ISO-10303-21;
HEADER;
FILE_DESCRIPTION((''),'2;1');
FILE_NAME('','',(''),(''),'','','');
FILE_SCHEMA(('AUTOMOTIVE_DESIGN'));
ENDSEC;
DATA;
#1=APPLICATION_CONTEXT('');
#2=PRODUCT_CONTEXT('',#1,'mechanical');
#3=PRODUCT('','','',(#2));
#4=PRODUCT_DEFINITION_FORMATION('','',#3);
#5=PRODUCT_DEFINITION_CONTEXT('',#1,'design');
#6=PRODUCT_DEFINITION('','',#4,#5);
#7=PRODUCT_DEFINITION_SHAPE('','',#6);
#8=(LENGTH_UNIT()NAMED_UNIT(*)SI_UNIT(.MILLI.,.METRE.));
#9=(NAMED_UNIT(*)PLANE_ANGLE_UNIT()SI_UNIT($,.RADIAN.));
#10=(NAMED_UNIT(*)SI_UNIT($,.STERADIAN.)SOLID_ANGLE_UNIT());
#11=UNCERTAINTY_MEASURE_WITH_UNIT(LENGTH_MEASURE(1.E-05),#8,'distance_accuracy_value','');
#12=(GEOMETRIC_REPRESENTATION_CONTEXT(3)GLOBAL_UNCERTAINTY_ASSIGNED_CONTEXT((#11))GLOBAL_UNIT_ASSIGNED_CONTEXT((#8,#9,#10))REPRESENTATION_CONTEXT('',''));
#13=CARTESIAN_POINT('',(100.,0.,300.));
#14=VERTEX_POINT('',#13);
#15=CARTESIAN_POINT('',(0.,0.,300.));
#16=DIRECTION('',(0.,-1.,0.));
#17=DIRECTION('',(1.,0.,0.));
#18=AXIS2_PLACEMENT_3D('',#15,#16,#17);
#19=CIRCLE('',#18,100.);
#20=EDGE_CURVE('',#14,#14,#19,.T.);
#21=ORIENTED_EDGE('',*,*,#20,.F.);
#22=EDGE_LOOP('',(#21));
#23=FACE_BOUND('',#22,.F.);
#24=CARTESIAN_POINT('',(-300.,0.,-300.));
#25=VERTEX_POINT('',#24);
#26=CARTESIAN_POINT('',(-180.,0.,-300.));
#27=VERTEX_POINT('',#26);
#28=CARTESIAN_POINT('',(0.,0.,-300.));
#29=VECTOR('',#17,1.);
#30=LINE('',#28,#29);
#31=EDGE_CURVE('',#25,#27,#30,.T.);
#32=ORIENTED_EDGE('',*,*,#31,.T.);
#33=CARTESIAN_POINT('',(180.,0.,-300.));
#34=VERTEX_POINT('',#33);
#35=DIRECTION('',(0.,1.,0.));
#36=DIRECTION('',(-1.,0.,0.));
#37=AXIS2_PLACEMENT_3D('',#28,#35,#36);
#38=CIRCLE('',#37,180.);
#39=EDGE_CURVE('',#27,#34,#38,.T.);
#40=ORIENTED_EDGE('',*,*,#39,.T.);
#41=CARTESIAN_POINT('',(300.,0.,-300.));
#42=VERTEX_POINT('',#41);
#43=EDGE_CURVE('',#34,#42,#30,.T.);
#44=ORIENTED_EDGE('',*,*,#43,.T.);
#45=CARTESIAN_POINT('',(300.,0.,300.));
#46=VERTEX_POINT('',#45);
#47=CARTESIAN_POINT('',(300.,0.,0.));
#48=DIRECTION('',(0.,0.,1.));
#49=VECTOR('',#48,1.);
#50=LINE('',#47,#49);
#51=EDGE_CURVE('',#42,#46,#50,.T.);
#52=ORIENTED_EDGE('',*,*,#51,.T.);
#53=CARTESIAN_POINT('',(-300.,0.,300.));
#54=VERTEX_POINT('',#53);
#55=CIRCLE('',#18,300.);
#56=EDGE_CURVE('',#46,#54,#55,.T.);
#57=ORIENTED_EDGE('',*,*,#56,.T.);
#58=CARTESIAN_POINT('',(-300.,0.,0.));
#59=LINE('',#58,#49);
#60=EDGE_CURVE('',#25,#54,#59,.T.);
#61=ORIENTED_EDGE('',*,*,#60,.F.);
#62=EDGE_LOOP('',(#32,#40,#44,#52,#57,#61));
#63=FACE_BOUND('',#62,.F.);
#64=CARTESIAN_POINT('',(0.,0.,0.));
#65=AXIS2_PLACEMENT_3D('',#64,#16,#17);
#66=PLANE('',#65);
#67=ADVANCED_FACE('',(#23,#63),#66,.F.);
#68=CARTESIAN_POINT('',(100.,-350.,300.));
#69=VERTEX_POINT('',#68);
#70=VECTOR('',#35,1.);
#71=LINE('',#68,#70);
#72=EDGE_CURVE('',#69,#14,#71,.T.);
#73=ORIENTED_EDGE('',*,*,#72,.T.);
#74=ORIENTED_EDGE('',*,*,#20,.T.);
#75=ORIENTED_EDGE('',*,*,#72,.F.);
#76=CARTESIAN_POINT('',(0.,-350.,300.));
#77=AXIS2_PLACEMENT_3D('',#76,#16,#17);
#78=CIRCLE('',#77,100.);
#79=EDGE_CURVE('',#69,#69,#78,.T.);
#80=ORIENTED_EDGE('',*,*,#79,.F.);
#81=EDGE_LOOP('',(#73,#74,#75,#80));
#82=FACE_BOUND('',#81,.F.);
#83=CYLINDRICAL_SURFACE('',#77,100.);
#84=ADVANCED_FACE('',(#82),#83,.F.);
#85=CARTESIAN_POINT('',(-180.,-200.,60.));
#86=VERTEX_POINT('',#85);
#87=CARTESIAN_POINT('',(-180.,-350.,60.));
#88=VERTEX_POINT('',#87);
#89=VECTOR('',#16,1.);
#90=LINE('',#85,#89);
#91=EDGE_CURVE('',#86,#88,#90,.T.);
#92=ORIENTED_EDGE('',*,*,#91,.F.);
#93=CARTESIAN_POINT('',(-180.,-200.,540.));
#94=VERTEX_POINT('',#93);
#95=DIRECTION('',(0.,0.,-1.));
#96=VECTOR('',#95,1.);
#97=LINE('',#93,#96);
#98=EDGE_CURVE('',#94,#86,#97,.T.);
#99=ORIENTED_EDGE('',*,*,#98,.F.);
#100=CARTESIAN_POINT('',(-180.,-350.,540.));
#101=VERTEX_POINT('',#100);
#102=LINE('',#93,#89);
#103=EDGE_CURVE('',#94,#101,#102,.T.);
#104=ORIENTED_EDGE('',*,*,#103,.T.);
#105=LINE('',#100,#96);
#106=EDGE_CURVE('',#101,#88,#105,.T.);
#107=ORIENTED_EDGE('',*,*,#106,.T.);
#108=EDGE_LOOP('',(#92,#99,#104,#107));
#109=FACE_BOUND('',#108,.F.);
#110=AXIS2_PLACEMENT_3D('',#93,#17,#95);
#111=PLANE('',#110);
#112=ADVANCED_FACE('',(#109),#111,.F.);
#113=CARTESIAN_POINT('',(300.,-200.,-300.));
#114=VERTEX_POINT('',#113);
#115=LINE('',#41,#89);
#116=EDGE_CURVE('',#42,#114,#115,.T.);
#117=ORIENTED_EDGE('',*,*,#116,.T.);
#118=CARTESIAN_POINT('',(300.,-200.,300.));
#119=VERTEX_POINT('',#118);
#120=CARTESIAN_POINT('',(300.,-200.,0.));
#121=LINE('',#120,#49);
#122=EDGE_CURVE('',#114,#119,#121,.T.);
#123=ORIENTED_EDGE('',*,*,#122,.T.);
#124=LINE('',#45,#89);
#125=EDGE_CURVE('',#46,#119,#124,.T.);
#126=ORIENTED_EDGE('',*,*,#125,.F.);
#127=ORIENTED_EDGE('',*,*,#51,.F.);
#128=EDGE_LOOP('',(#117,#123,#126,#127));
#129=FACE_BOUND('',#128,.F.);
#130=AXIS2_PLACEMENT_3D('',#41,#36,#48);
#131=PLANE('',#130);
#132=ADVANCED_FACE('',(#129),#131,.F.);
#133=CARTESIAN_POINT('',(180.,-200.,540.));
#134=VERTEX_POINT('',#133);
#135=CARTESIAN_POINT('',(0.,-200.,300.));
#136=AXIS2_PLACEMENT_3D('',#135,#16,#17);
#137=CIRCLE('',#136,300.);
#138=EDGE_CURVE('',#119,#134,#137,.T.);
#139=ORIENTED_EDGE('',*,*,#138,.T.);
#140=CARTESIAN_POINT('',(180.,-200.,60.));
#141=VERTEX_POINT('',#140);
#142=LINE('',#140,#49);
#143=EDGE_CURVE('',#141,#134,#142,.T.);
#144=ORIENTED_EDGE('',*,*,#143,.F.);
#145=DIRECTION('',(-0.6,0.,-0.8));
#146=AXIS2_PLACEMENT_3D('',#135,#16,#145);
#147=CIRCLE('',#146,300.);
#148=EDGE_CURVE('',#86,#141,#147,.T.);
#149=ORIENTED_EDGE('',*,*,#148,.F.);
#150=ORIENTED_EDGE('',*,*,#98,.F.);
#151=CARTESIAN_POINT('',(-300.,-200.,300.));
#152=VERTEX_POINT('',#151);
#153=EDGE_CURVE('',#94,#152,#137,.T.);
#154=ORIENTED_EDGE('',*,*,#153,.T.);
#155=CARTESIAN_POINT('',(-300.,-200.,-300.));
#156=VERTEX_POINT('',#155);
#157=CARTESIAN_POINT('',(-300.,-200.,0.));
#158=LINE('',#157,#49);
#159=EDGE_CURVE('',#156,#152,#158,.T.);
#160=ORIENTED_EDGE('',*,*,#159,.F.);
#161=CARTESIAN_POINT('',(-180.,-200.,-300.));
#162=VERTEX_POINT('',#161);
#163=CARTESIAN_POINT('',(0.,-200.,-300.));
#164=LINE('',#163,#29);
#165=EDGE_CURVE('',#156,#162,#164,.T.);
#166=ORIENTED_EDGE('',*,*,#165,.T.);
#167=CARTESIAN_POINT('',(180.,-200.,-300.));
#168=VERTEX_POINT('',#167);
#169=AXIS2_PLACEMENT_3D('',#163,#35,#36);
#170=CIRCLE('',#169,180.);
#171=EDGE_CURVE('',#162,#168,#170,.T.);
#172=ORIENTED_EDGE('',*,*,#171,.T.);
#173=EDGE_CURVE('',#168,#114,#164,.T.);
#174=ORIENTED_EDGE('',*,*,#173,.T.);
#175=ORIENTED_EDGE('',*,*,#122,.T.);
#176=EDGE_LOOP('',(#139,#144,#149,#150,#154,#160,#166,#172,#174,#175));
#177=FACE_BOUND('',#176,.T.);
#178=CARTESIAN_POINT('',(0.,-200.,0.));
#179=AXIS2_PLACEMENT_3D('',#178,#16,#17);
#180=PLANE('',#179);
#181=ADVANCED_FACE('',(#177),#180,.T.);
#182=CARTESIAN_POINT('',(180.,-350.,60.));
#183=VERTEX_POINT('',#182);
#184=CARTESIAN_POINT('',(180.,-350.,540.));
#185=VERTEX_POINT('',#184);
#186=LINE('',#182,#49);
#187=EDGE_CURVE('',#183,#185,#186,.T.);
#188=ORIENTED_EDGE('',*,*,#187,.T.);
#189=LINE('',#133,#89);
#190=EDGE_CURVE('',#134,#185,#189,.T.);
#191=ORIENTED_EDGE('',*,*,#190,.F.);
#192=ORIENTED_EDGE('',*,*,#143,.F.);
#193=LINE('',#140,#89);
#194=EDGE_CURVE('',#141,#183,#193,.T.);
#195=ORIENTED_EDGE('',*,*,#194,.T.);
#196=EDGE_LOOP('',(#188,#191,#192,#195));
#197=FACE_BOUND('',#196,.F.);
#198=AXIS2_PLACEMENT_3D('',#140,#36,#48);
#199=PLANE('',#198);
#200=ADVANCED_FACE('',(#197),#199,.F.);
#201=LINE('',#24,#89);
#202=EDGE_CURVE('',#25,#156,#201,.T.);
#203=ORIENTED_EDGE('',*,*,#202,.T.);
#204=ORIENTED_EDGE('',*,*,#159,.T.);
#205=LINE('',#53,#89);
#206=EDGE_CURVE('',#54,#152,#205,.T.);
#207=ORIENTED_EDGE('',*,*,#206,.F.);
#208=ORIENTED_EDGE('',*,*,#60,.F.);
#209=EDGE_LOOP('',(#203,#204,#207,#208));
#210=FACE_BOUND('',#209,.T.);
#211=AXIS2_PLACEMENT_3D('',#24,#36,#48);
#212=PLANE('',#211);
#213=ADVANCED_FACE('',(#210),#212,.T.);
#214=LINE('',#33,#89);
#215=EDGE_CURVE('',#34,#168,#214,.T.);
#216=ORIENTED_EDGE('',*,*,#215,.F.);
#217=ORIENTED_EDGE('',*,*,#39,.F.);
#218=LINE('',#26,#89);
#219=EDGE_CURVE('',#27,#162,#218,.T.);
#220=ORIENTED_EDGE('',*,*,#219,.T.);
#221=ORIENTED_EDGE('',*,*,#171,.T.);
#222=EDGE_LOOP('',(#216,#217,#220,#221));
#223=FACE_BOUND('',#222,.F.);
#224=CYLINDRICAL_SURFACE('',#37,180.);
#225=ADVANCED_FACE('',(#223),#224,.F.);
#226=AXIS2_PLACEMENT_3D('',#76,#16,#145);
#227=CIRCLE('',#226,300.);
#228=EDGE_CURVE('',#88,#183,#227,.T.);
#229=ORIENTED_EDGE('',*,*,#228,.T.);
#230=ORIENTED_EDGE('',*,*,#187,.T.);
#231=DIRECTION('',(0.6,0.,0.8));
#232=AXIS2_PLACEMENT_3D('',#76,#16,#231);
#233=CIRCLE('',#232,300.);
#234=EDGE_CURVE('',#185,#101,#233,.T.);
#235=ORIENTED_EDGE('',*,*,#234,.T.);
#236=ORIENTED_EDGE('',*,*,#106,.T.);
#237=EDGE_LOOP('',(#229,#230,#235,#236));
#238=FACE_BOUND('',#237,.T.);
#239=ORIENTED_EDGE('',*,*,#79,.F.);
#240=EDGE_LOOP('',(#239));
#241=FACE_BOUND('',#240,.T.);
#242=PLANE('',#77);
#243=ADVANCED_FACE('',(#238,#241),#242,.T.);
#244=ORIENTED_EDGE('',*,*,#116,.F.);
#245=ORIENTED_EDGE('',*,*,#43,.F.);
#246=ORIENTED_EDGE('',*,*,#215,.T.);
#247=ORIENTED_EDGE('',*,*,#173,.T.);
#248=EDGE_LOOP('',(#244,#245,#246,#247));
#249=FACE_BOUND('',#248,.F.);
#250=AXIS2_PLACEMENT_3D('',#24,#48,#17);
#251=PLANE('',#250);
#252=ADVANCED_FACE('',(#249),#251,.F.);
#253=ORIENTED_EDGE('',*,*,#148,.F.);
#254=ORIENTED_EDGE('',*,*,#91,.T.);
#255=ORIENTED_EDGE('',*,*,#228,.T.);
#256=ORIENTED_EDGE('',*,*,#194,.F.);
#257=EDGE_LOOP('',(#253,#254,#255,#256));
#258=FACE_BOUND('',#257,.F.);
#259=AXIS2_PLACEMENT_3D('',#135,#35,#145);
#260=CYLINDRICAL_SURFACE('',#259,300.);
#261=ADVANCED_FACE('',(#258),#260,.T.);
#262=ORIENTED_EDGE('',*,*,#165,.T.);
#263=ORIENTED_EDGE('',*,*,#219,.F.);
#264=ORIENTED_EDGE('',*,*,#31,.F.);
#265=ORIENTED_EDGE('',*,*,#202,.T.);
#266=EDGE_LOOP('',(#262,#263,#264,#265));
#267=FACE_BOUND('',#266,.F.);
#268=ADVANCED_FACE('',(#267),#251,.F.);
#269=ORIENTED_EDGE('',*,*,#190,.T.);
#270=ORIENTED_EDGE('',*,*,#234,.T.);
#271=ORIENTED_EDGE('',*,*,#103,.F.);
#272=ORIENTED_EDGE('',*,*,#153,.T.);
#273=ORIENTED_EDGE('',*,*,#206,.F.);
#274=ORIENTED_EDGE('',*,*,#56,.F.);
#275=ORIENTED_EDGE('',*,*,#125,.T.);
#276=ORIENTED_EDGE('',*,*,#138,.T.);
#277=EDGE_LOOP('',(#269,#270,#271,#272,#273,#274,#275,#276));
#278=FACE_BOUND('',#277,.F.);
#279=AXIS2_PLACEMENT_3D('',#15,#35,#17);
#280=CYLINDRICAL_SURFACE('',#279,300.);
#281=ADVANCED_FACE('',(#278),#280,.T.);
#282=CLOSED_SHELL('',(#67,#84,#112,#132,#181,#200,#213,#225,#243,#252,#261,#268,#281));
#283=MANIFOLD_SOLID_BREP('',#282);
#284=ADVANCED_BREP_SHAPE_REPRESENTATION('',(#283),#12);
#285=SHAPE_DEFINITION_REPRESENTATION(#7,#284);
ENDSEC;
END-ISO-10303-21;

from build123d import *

# Parameters (mm, degrees)
F0_W     = 600
F0_H     = 600
F1_DEPTH = 200
F3_DEPTH = 200.001
F5_DEPTH = 150
F6_R     = 100
F7_DEPTH = 350.001


with BuildPart() as f1:
    # F0 (on Front) → F1 (new body)
    with BuildSketch(Plane.XZ):
        Rectangle(F0_W, F0_H)
        with BuildLine():
            Line((-300, 300), (300, 300))
            ThreePointArc((300, 300), (0, 600), (-300, 300))
        make_face()
    extrude(amount=F1_DEPTH)

    # F2 (on face) → F3 (cut, through all)
    with BuildSketch(Plane(origin=(0, 0, 0), x_dir=(-1, 0, 0), z_dir=(0, 1, 0))):
        with BuildLine():
            Line((-180, -300), (180, -300))
            ThreePointArc((180, -300), (0, -120), (-180, -300))
        make_face()
    extrude(amount=-F3_DEPTH, mode=Mode.SUBTRACT)

    # F4 (on face) → F5 (join)
    with BuildSketch(Plane.XZ.offset(200)):
        with BuildLine():
            Line((180, 60), (180, 540))
            ThreePointArc((180, 540), (0, 600), (-180, 540))
            Line((-180, 540), (-180, 60))
            ThreePointArc((-180, 60), (0, 0), (180, 60))
        make_face()
    extrude(amount=F5_DEPTH)

    # F6 (on face) → F7 (cut, through all)
    with BuildSketch(Plane.XZ.offset(350)):
        with Locations((0, 300)):
            Circle(F6_R)
    extrude(amount=-F7_DEPTH, mode=Mode.SUBTRACT)


solid = f1.part
